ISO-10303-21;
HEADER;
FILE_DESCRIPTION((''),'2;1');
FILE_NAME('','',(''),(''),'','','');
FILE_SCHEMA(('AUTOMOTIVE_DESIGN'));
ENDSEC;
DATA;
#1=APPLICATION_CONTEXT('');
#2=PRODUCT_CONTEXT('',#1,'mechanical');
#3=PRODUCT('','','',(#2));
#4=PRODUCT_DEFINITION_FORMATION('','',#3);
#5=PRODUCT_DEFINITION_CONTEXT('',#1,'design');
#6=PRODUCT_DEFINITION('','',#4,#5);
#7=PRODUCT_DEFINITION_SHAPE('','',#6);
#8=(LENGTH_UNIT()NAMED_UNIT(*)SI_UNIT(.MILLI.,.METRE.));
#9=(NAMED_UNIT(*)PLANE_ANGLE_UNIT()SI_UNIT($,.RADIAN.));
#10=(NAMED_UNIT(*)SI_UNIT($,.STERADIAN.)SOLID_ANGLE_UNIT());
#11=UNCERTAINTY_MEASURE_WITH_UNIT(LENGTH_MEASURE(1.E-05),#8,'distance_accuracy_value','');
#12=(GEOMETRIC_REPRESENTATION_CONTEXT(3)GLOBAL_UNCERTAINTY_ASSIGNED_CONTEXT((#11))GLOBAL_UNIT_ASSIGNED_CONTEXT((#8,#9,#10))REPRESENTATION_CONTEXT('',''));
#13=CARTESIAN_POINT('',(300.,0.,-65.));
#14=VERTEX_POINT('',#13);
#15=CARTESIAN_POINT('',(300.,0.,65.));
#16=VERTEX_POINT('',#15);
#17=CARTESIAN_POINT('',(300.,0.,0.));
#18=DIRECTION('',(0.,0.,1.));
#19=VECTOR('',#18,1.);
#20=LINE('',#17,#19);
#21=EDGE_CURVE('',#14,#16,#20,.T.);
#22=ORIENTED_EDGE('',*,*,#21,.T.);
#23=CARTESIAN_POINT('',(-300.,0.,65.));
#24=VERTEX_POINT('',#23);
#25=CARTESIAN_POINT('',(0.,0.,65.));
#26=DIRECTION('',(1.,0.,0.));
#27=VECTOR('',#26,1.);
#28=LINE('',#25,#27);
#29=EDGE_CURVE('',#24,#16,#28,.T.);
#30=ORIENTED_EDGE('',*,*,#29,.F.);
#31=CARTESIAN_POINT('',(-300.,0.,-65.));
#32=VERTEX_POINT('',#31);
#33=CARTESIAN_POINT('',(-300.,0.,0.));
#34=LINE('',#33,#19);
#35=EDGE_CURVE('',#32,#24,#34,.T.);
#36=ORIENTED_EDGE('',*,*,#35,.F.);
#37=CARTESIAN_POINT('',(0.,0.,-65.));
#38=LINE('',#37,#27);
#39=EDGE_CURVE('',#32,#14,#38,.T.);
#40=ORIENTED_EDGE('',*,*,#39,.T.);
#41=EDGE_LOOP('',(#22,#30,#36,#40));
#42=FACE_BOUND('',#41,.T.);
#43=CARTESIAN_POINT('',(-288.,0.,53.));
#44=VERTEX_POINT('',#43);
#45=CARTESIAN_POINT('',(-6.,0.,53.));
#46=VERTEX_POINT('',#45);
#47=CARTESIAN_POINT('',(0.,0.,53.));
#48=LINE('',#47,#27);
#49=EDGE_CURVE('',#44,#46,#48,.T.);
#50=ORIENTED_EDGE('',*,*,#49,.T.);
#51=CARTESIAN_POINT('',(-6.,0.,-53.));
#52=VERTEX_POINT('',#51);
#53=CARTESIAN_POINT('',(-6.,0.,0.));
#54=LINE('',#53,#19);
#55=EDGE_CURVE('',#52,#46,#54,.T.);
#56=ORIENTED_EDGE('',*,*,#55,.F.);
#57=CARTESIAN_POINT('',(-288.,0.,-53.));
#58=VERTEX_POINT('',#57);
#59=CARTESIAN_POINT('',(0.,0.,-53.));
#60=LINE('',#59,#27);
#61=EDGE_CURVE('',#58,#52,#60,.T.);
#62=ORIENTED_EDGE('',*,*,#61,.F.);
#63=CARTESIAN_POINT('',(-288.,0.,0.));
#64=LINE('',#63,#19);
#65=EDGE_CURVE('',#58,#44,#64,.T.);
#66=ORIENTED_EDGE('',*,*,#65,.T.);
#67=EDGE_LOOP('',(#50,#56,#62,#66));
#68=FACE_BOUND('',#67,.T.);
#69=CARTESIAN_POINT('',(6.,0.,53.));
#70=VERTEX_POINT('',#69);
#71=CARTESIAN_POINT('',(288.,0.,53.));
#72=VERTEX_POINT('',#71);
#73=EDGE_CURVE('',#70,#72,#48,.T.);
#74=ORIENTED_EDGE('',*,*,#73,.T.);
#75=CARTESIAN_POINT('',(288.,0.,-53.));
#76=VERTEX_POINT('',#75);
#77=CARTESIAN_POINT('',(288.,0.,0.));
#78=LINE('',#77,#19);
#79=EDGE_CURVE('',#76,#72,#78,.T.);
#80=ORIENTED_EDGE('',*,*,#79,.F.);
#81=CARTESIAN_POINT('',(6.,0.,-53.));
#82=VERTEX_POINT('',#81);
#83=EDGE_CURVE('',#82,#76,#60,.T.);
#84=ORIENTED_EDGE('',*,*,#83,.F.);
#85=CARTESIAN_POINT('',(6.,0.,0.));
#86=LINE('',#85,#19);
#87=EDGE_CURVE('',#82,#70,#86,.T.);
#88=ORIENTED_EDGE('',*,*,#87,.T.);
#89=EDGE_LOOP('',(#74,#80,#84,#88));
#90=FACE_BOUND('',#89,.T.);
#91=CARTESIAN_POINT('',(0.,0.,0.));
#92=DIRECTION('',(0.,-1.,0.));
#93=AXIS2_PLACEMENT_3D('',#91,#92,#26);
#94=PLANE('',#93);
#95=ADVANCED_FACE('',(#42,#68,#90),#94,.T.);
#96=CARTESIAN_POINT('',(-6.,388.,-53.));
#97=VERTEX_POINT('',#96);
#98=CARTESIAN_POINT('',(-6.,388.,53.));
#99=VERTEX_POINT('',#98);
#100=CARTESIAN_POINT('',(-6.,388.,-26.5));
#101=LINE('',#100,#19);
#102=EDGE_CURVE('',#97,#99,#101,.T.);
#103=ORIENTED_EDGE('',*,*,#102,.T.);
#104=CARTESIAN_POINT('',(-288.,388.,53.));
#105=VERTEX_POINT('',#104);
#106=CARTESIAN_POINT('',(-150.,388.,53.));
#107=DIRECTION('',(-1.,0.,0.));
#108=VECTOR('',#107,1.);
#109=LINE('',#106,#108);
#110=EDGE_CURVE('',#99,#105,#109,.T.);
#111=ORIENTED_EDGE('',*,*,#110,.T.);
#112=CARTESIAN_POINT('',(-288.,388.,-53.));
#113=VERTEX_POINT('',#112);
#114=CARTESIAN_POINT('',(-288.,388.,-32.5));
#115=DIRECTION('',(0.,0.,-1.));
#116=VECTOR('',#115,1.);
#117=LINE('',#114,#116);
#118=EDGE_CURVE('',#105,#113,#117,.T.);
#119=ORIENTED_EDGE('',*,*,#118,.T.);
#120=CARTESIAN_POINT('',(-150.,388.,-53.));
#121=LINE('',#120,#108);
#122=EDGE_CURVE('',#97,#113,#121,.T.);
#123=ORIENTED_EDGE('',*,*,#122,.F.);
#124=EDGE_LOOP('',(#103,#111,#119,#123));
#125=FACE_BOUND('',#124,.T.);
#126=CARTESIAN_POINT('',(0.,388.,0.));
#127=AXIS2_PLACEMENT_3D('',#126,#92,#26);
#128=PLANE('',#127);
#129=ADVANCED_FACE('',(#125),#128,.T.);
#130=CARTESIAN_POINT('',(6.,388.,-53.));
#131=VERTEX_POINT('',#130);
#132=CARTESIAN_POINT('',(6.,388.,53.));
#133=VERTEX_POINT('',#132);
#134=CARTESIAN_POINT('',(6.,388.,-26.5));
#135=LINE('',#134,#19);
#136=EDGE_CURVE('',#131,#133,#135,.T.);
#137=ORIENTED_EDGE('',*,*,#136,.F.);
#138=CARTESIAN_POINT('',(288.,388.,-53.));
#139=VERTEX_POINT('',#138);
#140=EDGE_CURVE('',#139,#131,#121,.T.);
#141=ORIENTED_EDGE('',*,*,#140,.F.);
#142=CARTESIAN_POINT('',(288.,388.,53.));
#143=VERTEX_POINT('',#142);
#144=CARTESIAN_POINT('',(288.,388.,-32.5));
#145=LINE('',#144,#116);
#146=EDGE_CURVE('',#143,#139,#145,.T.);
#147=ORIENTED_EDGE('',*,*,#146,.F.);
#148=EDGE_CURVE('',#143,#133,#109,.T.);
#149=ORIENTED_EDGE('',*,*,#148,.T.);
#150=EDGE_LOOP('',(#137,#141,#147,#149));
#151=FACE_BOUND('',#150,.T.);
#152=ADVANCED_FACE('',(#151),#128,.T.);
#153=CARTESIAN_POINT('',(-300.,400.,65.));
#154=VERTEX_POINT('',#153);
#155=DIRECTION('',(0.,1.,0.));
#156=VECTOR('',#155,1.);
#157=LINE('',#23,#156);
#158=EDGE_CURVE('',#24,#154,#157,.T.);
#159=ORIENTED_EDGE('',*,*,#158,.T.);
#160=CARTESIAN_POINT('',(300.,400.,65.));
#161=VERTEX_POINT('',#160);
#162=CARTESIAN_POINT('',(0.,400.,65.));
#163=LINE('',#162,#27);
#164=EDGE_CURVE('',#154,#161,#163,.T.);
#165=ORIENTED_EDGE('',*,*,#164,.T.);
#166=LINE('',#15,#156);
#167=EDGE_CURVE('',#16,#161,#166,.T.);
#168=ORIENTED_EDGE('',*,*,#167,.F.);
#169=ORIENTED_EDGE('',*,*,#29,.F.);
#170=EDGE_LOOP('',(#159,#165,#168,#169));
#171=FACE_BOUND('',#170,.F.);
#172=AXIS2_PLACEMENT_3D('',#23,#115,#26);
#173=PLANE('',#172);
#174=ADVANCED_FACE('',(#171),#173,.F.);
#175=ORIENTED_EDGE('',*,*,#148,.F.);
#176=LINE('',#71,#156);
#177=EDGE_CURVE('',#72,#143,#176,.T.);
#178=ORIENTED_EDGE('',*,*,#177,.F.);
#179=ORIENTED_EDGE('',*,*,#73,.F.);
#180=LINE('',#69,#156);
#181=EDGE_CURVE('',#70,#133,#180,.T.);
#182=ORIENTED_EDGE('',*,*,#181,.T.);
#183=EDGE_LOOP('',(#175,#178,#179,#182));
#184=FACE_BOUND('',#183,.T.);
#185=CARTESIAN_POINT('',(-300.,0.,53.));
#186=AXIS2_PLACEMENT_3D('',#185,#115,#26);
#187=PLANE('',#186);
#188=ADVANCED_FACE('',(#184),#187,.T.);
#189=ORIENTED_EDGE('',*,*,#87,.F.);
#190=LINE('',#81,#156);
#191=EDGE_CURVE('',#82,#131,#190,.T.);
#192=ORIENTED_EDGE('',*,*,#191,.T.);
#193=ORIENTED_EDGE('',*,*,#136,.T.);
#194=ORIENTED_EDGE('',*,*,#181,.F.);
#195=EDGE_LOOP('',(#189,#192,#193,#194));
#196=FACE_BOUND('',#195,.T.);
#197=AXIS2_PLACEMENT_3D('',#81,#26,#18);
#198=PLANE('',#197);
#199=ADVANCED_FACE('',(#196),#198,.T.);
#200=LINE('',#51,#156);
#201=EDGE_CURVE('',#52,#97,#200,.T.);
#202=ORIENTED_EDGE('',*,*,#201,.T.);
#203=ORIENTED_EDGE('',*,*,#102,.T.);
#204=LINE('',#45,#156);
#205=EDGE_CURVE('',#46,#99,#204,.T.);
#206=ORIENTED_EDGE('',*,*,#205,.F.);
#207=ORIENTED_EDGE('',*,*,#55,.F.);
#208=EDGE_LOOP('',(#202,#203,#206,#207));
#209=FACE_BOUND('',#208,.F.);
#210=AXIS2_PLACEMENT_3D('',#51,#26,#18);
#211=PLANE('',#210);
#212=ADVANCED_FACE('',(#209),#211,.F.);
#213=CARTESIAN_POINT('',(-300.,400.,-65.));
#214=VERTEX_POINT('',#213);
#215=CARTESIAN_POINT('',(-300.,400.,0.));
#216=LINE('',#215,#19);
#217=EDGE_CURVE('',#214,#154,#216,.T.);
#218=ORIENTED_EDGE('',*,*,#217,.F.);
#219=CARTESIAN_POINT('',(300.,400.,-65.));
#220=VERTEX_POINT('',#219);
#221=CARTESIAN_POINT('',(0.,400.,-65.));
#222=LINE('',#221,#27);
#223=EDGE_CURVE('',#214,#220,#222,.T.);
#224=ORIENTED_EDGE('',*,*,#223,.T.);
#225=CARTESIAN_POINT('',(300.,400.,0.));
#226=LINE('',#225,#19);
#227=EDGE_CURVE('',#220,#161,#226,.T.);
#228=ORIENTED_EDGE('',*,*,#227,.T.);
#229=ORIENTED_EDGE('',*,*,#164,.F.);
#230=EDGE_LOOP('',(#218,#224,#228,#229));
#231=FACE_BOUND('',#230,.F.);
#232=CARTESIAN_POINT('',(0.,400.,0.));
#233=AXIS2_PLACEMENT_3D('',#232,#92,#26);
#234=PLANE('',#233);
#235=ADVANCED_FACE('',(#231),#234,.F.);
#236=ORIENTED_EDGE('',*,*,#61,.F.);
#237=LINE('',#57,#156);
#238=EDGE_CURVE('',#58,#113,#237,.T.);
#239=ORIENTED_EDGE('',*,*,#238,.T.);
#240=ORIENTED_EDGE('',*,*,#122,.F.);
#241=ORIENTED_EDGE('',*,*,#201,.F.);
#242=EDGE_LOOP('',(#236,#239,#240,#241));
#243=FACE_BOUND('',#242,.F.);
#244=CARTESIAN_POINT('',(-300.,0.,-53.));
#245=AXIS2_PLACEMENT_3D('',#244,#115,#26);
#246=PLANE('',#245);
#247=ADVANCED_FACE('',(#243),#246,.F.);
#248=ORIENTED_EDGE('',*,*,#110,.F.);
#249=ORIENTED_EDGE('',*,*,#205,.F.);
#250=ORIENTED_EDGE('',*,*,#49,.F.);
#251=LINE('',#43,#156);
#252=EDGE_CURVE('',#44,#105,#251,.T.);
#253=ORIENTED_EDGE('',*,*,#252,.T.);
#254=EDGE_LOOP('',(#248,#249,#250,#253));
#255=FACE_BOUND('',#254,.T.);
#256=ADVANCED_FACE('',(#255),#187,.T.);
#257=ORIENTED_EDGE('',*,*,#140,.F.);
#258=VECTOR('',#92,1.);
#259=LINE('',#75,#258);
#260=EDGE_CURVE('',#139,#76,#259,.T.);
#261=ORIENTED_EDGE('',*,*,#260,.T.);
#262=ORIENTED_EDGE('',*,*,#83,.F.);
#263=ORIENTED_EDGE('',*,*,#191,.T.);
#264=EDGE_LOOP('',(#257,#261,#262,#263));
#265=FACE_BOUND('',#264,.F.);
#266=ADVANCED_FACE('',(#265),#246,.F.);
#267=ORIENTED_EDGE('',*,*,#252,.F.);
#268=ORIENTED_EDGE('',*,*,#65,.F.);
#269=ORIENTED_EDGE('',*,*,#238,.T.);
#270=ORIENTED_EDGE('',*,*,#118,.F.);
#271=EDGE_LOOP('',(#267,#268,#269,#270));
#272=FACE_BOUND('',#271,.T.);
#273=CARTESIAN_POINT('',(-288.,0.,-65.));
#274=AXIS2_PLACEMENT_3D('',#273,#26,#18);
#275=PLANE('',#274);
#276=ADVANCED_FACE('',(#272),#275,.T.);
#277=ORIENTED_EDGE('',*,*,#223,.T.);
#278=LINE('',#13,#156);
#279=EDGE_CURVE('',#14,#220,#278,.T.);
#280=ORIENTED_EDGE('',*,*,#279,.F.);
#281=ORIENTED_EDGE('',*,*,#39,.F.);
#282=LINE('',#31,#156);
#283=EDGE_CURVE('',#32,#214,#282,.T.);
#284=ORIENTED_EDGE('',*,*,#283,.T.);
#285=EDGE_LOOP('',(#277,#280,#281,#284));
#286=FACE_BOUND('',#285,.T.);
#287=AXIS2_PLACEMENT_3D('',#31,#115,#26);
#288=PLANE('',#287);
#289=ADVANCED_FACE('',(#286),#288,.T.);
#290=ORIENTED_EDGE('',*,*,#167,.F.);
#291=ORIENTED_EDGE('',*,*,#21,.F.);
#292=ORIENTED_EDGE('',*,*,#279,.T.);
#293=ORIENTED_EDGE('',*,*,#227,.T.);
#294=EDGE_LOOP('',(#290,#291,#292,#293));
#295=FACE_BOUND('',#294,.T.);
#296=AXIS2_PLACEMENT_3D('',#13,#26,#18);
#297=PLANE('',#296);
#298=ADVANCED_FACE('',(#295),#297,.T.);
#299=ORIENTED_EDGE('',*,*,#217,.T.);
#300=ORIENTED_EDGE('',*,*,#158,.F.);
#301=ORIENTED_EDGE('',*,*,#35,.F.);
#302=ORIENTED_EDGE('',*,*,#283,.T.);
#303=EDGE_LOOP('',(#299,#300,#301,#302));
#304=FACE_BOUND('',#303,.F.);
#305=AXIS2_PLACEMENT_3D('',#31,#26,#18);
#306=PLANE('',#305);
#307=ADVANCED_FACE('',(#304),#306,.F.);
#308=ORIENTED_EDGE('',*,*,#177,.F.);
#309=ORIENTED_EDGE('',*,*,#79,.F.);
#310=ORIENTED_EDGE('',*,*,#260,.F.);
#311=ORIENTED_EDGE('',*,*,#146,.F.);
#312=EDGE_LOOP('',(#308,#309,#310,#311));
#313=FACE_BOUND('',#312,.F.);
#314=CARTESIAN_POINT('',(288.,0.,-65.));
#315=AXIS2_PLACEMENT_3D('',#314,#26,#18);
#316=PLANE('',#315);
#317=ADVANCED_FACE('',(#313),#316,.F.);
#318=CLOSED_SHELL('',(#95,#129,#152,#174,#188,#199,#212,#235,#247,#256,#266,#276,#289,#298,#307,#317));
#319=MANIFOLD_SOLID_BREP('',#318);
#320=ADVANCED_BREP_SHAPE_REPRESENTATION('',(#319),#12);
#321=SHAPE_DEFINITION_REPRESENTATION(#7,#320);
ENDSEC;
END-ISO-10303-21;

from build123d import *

# Parameters (mm, degrees)
F0_W     = 600
F0_H     = 130
F1_DEPTH = 400
F2_T     = -12
F3_W     = 12
F3_H     = 106
F4_DEPTH = 400


with BuildPart() as f1:
    # F0 (on Front) → F1 (new body)
    with BuildSketch(Plane.XZ):
        Rectangle(F0_W, F0_H)
    extrude(amount=-F1_DEPTH)

    # F2
    f2_openings = [f1.faces().sort_by_distance(p)[0] for p in [
        (0, 0, 0),
    ]]
    offset(amount=F2_T, openings=f2_openings)

    # F3 (on face) → F4 (join)
    with BuildSketch(Plane.XZ):
        Rectangle(F3_W, F3_H)
    extrude(amount=-F4_DEPTH)


solid = f1.part
